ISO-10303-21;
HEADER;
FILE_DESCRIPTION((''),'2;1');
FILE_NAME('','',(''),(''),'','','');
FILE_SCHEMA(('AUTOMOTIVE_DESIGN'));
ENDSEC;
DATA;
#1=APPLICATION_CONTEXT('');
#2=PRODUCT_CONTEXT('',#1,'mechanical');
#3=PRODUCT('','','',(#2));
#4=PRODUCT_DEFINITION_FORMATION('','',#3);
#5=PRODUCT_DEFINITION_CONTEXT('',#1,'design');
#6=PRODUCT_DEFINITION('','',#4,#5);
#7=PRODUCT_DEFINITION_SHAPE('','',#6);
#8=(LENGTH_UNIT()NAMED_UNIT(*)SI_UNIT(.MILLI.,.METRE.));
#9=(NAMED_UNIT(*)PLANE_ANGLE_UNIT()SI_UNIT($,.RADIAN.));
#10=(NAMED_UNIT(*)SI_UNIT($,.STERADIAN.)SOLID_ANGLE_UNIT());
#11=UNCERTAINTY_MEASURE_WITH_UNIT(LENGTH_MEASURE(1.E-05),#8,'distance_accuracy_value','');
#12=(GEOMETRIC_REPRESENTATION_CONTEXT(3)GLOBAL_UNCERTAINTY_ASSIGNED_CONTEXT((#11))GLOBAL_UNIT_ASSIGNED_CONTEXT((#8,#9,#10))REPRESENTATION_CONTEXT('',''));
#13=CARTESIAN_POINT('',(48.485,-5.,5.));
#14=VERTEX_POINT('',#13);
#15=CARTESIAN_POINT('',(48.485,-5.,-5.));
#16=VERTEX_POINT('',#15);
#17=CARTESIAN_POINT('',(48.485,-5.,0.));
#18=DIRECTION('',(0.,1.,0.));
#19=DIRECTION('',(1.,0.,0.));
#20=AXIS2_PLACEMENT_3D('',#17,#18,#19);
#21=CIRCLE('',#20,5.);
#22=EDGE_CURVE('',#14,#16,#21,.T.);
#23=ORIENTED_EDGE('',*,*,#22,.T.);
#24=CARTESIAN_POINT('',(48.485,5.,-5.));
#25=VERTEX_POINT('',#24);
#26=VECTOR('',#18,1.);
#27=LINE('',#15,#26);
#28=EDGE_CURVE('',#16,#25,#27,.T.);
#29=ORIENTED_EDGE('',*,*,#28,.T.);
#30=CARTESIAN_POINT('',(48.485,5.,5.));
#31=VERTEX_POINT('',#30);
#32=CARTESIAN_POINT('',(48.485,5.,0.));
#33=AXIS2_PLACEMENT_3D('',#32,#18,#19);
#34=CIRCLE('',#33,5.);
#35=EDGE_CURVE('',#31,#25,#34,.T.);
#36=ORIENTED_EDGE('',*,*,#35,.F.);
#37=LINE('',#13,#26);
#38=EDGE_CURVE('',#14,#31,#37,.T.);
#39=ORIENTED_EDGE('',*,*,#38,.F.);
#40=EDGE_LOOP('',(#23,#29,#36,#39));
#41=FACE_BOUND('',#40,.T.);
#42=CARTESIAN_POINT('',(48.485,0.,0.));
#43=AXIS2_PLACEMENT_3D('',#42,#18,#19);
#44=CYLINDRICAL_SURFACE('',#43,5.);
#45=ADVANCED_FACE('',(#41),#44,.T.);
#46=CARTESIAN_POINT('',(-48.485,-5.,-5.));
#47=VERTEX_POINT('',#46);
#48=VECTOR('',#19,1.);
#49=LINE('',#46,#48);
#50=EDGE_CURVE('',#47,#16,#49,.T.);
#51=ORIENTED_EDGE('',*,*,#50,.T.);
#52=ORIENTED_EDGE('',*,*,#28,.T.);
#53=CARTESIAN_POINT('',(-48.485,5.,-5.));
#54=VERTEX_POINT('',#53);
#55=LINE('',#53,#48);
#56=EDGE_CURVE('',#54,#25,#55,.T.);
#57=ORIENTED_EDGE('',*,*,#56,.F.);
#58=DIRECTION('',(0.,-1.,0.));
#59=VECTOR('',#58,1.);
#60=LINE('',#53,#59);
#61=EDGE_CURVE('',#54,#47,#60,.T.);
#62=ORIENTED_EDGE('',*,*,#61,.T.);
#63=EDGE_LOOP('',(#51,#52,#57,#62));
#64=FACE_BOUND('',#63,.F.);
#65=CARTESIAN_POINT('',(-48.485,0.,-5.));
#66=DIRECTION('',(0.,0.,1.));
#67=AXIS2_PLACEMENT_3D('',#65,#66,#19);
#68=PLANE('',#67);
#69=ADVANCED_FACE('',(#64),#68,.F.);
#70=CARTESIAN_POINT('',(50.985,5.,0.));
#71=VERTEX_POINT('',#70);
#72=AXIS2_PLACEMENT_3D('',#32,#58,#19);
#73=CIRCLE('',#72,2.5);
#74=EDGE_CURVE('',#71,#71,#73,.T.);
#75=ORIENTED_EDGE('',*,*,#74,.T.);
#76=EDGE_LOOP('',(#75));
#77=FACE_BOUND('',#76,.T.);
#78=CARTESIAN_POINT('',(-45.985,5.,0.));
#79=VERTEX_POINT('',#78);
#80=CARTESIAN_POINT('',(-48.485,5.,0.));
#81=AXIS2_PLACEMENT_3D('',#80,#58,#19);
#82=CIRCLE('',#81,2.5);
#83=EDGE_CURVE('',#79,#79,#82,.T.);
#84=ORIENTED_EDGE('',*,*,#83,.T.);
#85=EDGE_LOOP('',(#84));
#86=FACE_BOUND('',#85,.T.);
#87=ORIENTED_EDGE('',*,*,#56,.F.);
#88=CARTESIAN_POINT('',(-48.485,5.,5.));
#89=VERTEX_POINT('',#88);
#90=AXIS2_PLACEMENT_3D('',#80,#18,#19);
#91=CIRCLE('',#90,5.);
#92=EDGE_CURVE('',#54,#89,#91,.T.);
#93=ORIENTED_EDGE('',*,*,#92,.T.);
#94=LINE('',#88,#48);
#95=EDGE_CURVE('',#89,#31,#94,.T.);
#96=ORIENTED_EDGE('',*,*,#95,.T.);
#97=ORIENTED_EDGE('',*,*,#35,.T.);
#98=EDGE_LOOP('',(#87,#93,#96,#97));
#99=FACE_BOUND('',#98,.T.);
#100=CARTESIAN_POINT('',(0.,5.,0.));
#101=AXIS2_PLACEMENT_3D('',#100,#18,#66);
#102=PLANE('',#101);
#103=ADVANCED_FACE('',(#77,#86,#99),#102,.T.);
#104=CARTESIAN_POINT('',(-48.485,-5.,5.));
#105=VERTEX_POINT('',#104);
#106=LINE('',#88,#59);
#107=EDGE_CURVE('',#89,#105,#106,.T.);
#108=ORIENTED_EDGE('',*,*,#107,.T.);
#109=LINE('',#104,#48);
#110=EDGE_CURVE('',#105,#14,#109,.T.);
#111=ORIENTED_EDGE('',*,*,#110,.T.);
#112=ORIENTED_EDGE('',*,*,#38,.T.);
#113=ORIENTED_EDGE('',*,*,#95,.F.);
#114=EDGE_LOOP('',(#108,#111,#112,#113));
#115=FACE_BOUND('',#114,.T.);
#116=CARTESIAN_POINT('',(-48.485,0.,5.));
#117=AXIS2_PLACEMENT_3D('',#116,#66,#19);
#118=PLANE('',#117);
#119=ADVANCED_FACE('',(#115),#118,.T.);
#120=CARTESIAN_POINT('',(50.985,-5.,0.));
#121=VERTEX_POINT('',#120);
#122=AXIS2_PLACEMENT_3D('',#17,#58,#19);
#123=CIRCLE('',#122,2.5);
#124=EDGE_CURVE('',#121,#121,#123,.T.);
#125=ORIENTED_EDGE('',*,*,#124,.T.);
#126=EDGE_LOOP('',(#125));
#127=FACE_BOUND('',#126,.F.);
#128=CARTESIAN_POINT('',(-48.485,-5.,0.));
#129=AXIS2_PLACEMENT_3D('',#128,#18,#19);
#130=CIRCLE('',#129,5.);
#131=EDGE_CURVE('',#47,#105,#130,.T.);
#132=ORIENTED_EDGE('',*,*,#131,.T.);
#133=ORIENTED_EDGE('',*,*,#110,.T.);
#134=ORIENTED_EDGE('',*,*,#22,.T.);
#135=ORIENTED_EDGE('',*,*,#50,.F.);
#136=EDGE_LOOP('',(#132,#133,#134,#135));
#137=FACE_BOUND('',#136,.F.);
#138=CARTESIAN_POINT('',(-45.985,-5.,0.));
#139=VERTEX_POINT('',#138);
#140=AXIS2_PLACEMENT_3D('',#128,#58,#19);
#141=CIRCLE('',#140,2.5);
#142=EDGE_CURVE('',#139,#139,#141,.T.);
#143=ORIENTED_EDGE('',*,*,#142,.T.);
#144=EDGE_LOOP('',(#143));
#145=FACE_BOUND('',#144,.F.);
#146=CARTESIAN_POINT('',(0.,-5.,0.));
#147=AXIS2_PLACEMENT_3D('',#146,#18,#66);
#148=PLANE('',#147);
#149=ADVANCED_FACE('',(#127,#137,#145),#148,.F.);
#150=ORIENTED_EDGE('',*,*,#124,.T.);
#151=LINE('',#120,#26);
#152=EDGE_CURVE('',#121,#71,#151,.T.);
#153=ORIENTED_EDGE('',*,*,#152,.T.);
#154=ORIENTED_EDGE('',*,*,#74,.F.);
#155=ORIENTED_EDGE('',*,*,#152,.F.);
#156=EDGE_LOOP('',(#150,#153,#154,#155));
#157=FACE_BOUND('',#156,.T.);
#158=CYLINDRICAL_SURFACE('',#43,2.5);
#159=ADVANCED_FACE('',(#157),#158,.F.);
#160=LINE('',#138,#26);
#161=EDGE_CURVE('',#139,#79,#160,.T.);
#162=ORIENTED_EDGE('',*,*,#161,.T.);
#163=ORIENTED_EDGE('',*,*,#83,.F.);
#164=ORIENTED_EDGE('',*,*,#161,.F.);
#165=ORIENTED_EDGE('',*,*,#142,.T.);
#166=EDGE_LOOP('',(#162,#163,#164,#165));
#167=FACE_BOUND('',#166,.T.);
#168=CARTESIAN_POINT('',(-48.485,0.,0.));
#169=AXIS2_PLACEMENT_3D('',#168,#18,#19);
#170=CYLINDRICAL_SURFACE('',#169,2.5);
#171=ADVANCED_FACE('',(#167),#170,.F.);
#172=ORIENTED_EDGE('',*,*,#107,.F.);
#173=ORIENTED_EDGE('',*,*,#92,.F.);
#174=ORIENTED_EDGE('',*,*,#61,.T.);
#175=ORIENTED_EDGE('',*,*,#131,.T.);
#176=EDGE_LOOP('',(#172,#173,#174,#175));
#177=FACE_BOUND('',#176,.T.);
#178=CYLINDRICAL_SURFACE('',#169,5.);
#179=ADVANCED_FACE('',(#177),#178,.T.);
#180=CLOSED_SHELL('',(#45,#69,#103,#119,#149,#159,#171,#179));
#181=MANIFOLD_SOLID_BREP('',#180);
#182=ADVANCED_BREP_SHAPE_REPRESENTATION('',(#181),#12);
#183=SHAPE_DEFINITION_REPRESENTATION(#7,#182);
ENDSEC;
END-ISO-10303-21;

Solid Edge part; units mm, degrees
sketch "Sketch1" plane through (0, 0, 0) normal (0, -1, 0) x (1, 0, 0)
  circle A0 centre (48.485, 0) radius 2.5
  line L0 (-48.485, 5) -> (48.485, 5)
  line L1 (-48.485, -5) -> (48.485, -5)
  arc A1 (-48.485, -5) -> (-48.485, 5) centre (-48.485, 0) cw
  arc A2 (48.485, 5) -> (48.485, -5) centre (48.485, 0) cw
  circle A3 centre (-48.485, 0) radius 2.5
extrude "Protrusion1" add sketch "Sketch1" along normal mid plane 10
